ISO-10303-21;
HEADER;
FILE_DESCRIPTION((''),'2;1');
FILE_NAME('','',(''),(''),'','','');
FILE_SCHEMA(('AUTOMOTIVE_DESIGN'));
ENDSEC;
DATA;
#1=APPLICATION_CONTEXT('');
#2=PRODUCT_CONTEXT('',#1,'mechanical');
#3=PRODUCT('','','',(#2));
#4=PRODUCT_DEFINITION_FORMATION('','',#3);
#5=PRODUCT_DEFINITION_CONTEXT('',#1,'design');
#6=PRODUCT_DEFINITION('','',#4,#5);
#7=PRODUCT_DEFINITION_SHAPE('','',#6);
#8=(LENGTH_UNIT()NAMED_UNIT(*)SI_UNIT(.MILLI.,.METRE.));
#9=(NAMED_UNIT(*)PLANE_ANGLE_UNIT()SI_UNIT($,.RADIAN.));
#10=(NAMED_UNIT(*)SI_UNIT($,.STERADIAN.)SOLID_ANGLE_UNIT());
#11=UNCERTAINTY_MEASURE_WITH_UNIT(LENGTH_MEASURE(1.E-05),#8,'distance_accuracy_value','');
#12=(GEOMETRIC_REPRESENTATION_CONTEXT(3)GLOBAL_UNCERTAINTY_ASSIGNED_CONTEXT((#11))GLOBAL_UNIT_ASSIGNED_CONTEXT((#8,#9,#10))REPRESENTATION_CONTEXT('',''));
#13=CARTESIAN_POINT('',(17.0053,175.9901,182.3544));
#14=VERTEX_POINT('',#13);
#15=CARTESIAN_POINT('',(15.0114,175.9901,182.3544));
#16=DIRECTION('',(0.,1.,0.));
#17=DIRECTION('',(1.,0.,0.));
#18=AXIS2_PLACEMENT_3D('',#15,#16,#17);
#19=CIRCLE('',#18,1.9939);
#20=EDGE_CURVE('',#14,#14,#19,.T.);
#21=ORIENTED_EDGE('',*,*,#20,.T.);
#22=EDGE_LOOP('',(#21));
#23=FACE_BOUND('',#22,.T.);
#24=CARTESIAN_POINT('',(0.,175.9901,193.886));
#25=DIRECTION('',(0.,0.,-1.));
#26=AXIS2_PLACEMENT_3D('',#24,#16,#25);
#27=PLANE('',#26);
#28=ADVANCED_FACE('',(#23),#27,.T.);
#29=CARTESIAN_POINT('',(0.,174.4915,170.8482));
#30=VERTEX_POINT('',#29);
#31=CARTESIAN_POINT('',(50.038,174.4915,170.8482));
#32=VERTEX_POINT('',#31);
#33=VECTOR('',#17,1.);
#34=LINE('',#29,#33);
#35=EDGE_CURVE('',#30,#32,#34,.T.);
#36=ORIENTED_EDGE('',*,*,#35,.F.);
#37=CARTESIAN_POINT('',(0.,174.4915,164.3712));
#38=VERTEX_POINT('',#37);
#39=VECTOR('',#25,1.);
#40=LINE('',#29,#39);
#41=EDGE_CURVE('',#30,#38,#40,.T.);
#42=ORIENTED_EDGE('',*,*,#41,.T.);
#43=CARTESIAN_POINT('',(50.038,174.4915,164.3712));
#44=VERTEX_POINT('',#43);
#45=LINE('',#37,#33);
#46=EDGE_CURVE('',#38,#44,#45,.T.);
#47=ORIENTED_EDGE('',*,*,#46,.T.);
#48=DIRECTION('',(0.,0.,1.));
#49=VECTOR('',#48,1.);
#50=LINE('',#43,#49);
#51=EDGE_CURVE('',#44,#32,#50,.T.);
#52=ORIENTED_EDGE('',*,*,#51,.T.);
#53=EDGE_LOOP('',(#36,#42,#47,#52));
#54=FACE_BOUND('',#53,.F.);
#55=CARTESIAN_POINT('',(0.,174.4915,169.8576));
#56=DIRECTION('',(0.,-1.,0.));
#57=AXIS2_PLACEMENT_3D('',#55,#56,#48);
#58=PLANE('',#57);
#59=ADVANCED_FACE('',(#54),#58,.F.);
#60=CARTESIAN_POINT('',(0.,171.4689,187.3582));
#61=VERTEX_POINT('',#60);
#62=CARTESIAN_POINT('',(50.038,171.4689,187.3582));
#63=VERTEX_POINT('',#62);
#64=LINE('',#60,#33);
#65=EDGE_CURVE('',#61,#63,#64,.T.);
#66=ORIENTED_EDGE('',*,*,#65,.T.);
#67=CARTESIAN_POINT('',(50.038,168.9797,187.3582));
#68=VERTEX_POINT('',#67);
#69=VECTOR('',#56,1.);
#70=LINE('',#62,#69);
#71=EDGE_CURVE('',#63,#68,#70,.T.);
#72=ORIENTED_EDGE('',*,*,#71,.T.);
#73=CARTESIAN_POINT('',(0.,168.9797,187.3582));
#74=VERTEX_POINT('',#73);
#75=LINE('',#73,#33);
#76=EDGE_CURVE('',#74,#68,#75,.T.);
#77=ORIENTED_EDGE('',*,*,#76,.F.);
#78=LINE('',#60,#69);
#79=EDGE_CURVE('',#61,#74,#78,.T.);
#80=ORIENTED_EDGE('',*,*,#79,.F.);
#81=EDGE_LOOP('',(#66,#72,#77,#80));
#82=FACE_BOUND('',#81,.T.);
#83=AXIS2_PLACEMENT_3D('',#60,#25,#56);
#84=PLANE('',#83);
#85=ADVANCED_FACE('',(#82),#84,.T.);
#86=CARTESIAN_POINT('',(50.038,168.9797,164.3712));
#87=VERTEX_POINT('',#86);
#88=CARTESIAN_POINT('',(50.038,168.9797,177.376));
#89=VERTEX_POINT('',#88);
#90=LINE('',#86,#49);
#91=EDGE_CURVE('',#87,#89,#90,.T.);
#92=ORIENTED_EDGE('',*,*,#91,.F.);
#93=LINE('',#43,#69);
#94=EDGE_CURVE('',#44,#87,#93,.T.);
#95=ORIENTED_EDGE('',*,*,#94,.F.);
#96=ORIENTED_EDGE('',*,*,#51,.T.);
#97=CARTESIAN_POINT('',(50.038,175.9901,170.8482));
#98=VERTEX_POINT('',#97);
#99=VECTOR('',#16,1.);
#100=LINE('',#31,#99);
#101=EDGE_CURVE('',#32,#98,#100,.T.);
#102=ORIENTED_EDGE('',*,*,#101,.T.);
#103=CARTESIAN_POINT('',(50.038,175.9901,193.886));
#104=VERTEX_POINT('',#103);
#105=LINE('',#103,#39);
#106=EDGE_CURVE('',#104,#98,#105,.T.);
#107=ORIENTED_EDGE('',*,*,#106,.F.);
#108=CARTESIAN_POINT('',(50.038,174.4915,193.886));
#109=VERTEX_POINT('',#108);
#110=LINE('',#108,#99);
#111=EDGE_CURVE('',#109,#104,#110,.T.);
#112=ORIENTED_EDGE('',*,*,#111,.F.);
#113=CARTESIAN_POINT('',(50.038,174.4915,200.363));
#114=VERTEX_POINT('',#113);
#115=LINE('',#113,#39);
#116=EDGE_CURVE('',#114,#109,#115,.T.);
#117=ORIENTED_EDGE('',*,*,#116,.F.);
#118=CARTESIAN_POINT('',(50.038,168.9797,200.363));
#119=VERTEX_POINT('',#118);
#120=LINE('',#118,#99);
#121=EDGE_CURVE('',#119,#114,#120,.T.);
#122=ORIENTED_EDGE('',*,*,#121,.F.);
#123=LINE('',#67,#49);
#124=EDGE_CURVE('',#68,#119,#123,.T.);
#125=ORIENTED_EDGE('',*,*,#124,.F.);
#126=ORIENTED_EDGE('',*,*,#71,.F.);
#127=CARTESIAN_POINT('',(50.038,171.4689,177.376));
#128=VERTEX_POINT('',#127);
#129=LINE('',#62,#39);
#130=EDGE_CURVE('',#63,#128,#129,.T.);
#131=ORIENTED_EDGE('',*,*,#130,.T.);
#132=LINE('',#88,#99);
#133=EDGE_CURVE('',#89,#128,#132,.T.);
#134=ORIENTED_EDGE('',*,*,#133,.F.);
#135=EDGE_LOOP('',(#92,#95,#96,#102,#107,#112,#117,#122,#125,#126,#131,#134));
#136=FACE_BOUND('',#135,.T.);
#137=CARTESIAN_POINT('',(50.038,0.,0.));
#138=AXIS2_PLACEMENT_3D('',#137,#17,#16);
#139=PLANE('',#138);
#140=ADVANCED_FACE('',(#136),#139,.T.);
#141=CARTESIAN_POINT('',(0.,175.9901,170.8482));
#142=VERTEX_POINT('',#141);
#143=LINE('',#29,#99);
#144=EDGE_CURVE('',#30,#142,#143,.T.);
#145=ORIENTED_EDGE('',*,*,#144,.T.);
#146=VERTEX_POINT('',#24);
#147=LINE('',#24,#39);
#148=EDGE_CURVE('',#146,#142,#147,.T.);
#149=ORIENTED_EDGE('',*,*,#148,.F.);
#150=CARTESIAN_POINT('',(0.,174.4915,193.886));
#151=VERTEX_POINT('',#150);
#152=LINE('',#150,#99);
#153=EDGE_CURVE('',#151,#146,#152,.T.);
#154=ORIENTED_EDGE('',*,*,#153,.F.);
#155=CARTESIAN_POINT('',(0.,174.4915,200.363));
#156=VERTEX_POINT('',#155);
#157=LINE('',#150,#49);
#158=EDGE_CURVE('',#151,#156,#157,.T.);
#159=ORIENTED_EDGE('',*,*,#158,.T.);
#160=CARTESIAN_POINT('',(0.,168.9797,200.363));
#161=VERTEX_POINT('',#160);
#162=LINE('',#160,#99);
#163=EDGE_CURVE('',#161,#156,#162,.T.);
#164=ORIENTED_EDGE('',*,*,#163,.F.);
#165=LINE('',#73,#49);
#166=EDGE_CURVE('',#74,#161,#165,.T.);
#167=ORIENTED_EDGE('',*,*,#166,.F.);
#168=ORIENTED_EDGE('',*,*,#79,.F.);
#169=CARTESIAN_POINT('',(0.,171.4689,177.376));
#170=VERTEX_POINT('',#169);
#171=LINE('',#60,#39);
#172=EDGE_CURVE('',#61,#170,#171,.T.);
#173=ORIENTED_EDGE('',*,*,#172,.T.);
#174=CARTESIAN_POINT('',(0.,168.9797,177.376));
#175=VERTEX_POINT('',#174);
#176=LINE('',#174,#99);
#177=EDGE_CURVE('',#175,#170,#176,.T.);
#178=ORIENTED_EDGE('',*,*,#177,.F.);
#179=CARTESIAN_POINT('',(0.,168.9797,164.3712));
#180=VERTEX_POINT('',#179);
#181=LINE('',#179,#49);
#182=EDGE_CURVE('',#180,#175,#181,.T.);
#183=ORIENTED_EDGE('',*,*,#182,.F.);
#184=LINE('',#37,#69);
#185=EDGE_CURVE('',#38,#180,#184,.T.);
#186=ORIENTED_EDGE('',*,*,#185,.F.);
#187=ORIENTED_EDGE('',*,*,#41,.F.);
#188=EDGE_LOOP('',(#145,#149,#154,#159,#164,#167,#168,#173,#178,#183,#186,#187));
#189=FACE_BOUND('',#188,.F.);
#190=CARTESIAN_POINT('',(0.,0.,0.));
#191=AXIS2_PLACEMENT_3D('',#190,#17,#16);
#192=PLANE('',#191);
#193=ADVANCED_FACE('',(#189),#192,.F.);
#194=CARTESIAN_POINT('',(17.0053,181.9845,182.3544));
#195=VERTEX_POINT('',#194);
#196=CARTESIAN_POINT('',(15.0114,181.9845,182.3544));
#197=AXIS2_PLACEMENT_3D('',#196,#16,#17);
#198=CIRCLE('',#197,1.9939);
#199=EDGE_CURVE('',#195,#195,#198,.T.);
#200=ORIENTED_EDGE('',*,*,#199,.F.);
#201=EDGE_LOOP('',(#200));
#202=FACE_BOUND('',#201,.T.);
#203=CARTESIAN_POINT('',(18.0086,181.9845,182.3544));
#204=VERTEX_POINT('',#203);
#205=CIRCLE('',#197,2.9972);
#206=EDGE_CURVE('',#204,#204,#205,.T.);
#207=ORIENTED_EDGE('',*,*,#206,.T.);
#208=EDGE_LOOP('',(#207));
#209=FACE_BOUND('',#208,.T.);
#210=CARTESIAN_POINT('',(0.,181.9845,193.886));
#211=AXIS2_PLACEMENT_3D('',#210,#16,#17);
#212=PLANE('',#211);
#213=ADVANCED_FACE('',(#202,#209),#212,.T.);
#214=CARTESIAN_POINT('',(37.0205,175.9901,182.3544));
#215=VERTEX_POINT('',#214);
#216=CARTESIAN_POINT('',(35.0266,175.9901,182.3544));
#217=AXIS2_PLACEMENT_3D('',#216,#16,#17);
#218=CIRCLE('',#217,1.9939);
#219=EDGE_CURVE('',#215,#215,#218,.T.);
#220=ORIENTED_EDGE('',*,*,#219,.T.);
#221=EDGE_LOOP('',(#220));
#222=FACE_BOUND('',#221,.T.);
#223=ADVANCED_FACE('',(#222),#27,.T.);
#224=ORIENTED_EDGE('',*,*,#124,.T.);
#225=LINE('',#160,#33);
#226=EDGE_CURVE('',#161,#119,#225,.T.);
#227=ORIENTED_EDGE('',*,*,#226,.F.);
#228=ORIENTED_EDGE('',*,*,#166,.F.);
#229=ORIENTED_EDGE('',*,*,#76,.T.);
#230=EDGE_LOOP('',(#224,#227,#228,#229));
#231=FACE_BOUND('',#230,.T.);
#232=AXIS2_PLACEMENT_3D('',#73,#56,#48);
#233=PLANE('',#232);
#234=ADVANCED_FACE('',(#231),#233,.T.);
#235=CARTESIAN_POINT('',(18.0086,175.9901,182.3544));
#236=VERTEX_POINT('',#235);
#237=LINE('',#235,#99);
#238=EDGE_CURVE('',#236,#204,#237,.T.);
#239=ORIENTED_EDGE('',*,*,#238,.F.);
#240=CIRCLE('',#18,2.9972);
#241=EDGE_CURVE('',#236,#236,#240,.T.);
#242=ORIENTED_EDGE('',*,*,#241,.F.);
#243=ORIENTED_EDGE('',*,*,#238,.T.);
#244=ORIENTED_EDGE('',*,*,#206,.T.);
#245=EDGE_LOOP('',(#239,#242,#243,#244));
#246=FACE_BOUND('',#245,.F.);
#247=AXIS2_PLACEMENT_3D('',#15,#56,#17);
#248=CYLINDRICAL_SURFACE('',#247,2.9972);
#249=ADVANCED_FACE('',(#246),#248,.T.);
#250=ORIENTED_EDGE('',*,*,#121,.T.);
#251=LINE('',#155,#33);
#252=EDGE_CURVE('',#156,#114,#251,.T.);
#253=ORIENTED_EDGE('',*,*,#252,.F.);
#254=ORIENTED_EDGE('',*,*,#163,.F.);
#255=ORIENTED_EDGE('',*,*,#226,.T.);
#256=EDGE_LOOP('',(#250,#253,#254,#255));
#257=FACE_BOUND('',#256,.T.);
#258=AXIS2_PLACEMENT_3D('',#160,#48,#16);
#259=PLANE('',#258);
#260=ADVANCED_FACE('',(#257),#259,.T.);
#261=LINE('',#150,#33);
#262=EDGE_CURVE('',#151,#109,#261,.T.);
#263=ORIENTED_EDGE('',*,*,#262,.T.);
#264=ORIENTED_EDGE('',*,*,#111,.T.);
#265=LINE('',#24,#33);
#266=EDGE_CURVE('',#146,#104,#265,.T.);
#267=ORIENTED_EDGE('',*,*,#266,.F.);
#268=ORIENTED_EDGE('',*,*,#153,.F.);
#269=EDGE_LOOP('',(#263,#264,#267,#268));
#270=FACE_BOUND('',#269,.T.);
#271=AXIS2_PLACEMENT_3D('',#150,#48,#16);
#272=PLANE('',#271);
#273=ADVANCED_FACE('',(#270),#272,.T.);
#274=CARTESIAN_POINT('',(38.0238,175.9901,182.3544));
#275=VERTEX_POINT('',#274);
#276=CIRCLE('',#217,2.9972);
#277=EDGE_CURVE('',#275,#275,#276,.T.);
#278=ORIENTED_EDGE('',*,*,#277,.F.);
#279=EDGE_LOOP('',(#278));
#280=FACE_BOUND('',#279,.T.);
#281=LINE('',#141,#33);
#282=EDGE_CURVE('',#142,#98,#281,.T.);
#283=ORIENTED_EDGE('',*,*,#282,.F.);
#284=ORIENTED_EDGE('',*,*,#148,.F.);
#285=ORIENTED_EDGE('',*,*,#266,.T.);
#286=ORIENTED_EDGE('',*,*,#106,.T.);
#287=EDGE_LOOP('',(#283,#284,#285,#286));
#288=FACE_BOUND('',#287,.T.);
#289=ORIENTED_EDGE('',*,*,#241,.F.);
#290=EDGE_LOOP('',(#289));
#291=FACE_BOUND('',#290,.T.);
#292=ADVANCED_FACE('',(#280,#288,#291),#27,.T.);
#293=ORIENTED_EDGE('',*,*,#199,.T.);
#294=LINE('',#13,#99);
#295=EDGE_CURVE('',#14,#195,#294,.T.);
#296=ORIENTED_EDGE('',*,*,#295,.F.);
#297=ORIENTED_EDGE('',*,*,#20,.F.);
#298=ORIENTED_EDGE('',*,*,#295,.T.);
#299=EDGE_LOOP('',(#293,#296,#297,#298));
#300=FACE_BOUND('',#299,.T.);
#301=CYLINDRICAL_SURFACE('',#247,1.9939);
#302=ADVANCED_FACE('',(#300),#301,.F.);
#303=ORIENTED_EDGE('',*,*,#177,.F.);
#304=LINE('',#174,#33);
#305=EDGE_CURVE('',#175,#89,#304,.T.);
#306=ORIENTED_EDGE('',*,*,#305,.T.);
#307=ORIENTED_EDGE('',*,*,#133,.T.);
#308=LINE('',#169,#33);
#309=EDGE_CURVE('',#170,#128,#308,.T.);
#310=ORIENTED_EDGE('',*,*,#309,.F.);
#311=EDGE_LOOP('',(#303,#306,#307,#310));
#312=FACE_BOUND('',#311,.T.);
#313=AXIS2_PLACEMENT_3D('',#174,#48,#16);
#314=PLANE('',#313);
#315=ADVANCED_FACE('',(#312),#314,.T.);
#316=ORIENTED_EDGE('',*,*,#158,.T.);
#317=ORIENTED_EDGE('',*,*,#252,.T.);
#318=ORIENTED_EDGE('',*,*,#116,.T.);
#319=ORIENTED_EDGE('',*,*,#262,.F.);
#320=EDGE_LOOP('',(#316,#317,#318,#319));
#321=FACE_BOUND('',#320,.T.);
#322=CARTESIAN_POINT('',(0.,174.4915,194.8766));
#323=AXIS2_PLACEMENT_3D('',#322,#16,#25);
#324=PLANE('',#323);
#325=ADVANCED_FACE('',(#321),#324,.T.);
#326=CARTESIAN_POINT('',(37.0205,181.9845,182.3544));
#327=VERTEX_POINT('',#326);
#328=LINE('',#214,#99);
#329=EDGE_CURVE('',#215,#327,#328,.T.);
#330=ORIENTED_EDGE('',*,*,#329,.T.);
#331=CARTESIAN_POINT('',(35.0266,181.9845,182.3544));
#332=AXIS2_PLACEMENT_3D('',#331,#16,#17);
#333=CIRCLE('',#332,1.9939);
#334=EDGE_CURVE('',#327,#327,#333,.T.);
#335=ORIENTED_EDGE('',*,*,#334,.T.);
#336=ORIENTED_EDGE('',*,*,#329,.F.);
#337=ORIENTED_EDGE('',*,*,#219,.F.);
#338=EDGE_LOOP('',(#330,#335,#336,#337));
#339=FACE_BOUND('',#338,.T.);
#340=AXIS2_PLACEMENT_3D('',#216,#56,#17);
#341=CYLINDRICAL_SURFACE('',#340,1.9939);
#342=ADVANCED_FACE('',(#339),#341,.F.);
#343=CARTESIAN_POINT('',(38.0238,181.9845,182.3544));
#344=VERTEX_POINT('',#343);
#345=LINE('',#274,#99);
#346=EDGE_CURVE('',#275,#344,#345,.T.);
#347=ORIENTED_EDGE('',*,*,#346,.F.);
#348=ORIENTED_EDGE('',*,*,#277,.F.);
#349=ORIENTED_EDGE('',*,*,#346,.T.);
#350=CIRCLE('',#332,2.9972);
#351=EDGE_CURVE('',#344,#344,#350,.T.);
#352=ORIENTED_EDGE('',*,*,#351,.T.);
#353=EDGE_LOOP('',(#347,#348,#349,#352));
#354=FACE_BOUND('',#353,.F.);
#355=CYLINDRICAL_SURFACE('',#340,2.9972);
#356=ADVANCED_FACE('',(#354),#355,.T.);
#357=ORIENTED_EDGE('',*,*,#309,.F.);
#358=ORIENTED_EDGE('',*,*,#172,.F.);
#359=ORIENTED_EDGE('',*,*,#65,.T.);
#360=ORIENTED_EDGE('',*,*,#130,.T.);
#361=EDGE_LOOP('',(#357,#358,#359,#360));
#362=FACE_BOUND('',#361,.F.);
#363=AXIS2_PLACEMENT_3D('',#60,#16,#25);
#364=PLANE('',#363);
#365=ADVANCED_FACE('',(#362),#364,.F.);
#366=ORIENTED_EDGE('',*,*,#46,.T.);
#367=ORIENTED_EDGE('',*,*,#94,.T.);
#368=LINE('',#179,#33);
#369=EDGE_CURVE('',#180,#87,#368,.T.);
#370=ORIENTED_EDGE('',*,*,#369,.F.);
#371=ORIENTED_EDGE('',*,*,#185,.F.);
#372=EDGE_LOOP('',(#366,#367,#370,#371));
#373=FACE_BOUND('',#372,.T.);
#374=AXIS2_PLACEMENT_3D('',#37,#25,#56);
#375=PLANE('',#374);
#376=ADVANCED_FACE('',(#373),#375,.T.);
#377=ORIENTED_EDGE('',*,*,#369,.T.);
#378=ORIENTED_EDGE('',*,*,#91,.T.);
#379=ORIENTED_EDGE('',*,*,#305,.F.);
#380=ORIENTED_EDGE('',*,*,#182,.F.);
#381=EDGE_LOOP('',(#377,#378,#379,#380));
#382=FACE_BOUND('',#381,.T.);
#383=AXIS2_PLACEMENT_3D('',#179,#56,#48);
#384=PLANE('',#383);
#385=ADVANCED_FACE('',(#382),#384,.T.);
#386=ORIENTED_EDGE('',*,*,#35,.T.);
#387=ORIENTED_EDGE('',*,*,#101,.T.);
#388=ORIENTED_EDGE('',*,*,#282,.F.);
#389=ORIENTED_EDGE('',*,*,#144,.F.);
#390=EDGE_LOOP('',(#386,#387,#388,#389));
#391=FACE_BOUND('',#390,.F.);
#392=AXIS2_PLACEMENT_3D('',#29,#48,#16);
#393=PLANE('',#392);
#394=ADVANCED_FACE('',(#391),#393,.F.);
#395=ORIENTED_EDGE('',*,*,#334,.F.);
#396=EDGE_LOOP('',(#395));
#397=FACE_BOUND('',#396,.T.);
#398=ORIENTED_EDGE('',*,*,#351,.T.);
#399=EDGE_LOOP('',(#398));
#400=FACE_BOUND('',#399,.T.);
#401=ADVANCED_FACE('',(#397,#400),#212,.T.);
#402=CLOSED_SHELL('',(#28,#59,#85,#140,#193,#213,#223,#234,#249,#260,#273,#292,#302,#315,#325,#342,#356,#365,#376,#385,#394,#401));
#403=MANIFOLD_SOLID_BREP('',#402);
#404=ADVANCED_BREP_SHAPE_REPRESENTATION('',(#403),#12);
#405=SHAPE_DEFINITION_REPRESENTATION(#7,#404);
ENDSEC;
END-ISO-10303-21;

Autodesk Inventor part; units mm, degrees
ref_plane "YZ Plane" through (0, 0, 0) normal (1, 0, 0) x (0, 1, 0)
ref_plane "XZ Plane" through (0, 0, 0) normal (0, 1, 0) x (-1, 0, 0)
ref_plane "XY Plane" through (0, 0, 0) normal (0, 0, 1) x (1, 0, 0)
sketch "Sketch1" plane through (0, 0, 0) normal (1, 0, 0) x (0, 1, 0)
  line L0 (166.4905, 202.3696) -> (166.4905, 162.3646) projected
  line L1 (166.4905, 162.3646) -> (175.9901, 162.3646) projected
  line L2 (175.9901, 162.3646) -> (175.9901, 169.8576) projected
  line L3 (175.9901, 169.8576) -> (174.4915, 169.8576) projected
  line L4 (174.4915, 169.8576) -> (174.4915, 164.3712) projected
  line L5 (174.4915, 164.3712) -> (168.9797, 164.3712) projected
  line L6 (168.9797, 164.3712) -> (168.9797, 177.376) projected
  line L7 (168.9797, 177.376) -> (171.4689, 177.376) projected
  line L8 (171.4689, 177.376) -> (170.4783, 178.3666) projected
  line L9 (170.4783, 178.3666) -> (170.4783, 186.3676) projected
  line L10 (170.4783, 186.3676) -> (171.4689, 187.3582) projected
  line L11 (171.4689, 187.3582) -> (168.9797, 187.3582) projected
  line L12 (168.9797, 187.3582) -> (168.9797, 200.363) projected
  line L13 (168.9797, 200.363) -> (174.4915, 200.363) projected
  line L14 (174.4915, 200.363) -> (174.4915, 194.8766) projected
  line L15 (174.4915, 194.8766) -> (175.9901, 194.8766) projected
  line L16 (175.9901, 194.8766) -> (175.9901, 202.3696) projected
  line L17 (175.9901, 202.3696) -> (166.4905, 202.3696) projected
  line L18 (174.4915, 200.363) -> (174.4915, 193.886)
  line L19 (174.4915, 200.363) -> (180.9685, 200.363) construction
  line L20 (174.4915, 200.363) -> (168.9797, 200.363)
  line L21 (168.9797, 200.363) -> (168.9797, 187.3582)
  line L22 (168.9797, 187.3582) -> (171.4689, 187.3582)
  line L23 (171.4689, 187.3582) -> (171.4689, 177.376)
  line L24 (171.4689, 177.376) -> (168.9797, 177.376)
  line L25 (168.9797, 177.376) -> (168.9797, 164.3712)
  line L26 (168.9797, 164.3712) -> (174.4915, 164.3712)
  line L27 (174.4915, 164.3712) -> (174.4915, 170.8482)
  line L28 (174.4915, 164.3712) -> (180.9685, 164.3712) construction
  line L29 (174.4915, 193.886) -> (175.9901, 193.886)
  line L30 (174.4915, 170.8482) -> (175.9901, 170.8482)
  line L31 (175.9901, 193.886) -> (175.9901, 170.8482)
  point P0 (0, 0)
  dimension "d0" = 6.477
  dimension "d1" = 90
  dimension "d2" = 6.477
  dimension "d3" = 90
extrude "Extrusion1" add sketch "Sketch1" along normal blind 50.038 contours L18 L29 L31 L30 L27 L4 L5 L6 L7 L23 L11 L12 L13 L14
sketch "Sketch2" plane through (0, 175.9901, 193.886) normal (0, 1, 0) x (1, 0, 0)
  line L0 (0, 23.0378) -> (0, 0) projected
  line L1 (0, 0) -> (50.038, 0) projected
  line L2 (50.038, 23.0378) -> (50.038, 0) projected
  line L3 (0, 23.0378) -> (50.038, 23.0378) projected
  circle A0 centre (15.0114, 11.5316) radius 2.9972
  circle A1 centre (35.0266, 11.5316) radius 2.9972
  circle A2 centre (15.0114, 11.5316) radius 1.9939
  circle A3 centre (35.0266, 11.5316) radius 1.9939
  point P0 (0, 193.886)
  dimension "d6" = 5.9944
  dimension "d7" = 5.9944
  dimension "d8" = 15.0114
  dimension "d9" = 15.0114
  dimension "d10" = 11.5316
  dimension "d11" = 11.5316
  dimension "d12" = 3.9878
  dimension "d13" = 3.9878
extrude "Extrusion2" add sketch "Sketch2" along normal blind 5.9944 contours A0 | A1
properties part number "sliding piece"
